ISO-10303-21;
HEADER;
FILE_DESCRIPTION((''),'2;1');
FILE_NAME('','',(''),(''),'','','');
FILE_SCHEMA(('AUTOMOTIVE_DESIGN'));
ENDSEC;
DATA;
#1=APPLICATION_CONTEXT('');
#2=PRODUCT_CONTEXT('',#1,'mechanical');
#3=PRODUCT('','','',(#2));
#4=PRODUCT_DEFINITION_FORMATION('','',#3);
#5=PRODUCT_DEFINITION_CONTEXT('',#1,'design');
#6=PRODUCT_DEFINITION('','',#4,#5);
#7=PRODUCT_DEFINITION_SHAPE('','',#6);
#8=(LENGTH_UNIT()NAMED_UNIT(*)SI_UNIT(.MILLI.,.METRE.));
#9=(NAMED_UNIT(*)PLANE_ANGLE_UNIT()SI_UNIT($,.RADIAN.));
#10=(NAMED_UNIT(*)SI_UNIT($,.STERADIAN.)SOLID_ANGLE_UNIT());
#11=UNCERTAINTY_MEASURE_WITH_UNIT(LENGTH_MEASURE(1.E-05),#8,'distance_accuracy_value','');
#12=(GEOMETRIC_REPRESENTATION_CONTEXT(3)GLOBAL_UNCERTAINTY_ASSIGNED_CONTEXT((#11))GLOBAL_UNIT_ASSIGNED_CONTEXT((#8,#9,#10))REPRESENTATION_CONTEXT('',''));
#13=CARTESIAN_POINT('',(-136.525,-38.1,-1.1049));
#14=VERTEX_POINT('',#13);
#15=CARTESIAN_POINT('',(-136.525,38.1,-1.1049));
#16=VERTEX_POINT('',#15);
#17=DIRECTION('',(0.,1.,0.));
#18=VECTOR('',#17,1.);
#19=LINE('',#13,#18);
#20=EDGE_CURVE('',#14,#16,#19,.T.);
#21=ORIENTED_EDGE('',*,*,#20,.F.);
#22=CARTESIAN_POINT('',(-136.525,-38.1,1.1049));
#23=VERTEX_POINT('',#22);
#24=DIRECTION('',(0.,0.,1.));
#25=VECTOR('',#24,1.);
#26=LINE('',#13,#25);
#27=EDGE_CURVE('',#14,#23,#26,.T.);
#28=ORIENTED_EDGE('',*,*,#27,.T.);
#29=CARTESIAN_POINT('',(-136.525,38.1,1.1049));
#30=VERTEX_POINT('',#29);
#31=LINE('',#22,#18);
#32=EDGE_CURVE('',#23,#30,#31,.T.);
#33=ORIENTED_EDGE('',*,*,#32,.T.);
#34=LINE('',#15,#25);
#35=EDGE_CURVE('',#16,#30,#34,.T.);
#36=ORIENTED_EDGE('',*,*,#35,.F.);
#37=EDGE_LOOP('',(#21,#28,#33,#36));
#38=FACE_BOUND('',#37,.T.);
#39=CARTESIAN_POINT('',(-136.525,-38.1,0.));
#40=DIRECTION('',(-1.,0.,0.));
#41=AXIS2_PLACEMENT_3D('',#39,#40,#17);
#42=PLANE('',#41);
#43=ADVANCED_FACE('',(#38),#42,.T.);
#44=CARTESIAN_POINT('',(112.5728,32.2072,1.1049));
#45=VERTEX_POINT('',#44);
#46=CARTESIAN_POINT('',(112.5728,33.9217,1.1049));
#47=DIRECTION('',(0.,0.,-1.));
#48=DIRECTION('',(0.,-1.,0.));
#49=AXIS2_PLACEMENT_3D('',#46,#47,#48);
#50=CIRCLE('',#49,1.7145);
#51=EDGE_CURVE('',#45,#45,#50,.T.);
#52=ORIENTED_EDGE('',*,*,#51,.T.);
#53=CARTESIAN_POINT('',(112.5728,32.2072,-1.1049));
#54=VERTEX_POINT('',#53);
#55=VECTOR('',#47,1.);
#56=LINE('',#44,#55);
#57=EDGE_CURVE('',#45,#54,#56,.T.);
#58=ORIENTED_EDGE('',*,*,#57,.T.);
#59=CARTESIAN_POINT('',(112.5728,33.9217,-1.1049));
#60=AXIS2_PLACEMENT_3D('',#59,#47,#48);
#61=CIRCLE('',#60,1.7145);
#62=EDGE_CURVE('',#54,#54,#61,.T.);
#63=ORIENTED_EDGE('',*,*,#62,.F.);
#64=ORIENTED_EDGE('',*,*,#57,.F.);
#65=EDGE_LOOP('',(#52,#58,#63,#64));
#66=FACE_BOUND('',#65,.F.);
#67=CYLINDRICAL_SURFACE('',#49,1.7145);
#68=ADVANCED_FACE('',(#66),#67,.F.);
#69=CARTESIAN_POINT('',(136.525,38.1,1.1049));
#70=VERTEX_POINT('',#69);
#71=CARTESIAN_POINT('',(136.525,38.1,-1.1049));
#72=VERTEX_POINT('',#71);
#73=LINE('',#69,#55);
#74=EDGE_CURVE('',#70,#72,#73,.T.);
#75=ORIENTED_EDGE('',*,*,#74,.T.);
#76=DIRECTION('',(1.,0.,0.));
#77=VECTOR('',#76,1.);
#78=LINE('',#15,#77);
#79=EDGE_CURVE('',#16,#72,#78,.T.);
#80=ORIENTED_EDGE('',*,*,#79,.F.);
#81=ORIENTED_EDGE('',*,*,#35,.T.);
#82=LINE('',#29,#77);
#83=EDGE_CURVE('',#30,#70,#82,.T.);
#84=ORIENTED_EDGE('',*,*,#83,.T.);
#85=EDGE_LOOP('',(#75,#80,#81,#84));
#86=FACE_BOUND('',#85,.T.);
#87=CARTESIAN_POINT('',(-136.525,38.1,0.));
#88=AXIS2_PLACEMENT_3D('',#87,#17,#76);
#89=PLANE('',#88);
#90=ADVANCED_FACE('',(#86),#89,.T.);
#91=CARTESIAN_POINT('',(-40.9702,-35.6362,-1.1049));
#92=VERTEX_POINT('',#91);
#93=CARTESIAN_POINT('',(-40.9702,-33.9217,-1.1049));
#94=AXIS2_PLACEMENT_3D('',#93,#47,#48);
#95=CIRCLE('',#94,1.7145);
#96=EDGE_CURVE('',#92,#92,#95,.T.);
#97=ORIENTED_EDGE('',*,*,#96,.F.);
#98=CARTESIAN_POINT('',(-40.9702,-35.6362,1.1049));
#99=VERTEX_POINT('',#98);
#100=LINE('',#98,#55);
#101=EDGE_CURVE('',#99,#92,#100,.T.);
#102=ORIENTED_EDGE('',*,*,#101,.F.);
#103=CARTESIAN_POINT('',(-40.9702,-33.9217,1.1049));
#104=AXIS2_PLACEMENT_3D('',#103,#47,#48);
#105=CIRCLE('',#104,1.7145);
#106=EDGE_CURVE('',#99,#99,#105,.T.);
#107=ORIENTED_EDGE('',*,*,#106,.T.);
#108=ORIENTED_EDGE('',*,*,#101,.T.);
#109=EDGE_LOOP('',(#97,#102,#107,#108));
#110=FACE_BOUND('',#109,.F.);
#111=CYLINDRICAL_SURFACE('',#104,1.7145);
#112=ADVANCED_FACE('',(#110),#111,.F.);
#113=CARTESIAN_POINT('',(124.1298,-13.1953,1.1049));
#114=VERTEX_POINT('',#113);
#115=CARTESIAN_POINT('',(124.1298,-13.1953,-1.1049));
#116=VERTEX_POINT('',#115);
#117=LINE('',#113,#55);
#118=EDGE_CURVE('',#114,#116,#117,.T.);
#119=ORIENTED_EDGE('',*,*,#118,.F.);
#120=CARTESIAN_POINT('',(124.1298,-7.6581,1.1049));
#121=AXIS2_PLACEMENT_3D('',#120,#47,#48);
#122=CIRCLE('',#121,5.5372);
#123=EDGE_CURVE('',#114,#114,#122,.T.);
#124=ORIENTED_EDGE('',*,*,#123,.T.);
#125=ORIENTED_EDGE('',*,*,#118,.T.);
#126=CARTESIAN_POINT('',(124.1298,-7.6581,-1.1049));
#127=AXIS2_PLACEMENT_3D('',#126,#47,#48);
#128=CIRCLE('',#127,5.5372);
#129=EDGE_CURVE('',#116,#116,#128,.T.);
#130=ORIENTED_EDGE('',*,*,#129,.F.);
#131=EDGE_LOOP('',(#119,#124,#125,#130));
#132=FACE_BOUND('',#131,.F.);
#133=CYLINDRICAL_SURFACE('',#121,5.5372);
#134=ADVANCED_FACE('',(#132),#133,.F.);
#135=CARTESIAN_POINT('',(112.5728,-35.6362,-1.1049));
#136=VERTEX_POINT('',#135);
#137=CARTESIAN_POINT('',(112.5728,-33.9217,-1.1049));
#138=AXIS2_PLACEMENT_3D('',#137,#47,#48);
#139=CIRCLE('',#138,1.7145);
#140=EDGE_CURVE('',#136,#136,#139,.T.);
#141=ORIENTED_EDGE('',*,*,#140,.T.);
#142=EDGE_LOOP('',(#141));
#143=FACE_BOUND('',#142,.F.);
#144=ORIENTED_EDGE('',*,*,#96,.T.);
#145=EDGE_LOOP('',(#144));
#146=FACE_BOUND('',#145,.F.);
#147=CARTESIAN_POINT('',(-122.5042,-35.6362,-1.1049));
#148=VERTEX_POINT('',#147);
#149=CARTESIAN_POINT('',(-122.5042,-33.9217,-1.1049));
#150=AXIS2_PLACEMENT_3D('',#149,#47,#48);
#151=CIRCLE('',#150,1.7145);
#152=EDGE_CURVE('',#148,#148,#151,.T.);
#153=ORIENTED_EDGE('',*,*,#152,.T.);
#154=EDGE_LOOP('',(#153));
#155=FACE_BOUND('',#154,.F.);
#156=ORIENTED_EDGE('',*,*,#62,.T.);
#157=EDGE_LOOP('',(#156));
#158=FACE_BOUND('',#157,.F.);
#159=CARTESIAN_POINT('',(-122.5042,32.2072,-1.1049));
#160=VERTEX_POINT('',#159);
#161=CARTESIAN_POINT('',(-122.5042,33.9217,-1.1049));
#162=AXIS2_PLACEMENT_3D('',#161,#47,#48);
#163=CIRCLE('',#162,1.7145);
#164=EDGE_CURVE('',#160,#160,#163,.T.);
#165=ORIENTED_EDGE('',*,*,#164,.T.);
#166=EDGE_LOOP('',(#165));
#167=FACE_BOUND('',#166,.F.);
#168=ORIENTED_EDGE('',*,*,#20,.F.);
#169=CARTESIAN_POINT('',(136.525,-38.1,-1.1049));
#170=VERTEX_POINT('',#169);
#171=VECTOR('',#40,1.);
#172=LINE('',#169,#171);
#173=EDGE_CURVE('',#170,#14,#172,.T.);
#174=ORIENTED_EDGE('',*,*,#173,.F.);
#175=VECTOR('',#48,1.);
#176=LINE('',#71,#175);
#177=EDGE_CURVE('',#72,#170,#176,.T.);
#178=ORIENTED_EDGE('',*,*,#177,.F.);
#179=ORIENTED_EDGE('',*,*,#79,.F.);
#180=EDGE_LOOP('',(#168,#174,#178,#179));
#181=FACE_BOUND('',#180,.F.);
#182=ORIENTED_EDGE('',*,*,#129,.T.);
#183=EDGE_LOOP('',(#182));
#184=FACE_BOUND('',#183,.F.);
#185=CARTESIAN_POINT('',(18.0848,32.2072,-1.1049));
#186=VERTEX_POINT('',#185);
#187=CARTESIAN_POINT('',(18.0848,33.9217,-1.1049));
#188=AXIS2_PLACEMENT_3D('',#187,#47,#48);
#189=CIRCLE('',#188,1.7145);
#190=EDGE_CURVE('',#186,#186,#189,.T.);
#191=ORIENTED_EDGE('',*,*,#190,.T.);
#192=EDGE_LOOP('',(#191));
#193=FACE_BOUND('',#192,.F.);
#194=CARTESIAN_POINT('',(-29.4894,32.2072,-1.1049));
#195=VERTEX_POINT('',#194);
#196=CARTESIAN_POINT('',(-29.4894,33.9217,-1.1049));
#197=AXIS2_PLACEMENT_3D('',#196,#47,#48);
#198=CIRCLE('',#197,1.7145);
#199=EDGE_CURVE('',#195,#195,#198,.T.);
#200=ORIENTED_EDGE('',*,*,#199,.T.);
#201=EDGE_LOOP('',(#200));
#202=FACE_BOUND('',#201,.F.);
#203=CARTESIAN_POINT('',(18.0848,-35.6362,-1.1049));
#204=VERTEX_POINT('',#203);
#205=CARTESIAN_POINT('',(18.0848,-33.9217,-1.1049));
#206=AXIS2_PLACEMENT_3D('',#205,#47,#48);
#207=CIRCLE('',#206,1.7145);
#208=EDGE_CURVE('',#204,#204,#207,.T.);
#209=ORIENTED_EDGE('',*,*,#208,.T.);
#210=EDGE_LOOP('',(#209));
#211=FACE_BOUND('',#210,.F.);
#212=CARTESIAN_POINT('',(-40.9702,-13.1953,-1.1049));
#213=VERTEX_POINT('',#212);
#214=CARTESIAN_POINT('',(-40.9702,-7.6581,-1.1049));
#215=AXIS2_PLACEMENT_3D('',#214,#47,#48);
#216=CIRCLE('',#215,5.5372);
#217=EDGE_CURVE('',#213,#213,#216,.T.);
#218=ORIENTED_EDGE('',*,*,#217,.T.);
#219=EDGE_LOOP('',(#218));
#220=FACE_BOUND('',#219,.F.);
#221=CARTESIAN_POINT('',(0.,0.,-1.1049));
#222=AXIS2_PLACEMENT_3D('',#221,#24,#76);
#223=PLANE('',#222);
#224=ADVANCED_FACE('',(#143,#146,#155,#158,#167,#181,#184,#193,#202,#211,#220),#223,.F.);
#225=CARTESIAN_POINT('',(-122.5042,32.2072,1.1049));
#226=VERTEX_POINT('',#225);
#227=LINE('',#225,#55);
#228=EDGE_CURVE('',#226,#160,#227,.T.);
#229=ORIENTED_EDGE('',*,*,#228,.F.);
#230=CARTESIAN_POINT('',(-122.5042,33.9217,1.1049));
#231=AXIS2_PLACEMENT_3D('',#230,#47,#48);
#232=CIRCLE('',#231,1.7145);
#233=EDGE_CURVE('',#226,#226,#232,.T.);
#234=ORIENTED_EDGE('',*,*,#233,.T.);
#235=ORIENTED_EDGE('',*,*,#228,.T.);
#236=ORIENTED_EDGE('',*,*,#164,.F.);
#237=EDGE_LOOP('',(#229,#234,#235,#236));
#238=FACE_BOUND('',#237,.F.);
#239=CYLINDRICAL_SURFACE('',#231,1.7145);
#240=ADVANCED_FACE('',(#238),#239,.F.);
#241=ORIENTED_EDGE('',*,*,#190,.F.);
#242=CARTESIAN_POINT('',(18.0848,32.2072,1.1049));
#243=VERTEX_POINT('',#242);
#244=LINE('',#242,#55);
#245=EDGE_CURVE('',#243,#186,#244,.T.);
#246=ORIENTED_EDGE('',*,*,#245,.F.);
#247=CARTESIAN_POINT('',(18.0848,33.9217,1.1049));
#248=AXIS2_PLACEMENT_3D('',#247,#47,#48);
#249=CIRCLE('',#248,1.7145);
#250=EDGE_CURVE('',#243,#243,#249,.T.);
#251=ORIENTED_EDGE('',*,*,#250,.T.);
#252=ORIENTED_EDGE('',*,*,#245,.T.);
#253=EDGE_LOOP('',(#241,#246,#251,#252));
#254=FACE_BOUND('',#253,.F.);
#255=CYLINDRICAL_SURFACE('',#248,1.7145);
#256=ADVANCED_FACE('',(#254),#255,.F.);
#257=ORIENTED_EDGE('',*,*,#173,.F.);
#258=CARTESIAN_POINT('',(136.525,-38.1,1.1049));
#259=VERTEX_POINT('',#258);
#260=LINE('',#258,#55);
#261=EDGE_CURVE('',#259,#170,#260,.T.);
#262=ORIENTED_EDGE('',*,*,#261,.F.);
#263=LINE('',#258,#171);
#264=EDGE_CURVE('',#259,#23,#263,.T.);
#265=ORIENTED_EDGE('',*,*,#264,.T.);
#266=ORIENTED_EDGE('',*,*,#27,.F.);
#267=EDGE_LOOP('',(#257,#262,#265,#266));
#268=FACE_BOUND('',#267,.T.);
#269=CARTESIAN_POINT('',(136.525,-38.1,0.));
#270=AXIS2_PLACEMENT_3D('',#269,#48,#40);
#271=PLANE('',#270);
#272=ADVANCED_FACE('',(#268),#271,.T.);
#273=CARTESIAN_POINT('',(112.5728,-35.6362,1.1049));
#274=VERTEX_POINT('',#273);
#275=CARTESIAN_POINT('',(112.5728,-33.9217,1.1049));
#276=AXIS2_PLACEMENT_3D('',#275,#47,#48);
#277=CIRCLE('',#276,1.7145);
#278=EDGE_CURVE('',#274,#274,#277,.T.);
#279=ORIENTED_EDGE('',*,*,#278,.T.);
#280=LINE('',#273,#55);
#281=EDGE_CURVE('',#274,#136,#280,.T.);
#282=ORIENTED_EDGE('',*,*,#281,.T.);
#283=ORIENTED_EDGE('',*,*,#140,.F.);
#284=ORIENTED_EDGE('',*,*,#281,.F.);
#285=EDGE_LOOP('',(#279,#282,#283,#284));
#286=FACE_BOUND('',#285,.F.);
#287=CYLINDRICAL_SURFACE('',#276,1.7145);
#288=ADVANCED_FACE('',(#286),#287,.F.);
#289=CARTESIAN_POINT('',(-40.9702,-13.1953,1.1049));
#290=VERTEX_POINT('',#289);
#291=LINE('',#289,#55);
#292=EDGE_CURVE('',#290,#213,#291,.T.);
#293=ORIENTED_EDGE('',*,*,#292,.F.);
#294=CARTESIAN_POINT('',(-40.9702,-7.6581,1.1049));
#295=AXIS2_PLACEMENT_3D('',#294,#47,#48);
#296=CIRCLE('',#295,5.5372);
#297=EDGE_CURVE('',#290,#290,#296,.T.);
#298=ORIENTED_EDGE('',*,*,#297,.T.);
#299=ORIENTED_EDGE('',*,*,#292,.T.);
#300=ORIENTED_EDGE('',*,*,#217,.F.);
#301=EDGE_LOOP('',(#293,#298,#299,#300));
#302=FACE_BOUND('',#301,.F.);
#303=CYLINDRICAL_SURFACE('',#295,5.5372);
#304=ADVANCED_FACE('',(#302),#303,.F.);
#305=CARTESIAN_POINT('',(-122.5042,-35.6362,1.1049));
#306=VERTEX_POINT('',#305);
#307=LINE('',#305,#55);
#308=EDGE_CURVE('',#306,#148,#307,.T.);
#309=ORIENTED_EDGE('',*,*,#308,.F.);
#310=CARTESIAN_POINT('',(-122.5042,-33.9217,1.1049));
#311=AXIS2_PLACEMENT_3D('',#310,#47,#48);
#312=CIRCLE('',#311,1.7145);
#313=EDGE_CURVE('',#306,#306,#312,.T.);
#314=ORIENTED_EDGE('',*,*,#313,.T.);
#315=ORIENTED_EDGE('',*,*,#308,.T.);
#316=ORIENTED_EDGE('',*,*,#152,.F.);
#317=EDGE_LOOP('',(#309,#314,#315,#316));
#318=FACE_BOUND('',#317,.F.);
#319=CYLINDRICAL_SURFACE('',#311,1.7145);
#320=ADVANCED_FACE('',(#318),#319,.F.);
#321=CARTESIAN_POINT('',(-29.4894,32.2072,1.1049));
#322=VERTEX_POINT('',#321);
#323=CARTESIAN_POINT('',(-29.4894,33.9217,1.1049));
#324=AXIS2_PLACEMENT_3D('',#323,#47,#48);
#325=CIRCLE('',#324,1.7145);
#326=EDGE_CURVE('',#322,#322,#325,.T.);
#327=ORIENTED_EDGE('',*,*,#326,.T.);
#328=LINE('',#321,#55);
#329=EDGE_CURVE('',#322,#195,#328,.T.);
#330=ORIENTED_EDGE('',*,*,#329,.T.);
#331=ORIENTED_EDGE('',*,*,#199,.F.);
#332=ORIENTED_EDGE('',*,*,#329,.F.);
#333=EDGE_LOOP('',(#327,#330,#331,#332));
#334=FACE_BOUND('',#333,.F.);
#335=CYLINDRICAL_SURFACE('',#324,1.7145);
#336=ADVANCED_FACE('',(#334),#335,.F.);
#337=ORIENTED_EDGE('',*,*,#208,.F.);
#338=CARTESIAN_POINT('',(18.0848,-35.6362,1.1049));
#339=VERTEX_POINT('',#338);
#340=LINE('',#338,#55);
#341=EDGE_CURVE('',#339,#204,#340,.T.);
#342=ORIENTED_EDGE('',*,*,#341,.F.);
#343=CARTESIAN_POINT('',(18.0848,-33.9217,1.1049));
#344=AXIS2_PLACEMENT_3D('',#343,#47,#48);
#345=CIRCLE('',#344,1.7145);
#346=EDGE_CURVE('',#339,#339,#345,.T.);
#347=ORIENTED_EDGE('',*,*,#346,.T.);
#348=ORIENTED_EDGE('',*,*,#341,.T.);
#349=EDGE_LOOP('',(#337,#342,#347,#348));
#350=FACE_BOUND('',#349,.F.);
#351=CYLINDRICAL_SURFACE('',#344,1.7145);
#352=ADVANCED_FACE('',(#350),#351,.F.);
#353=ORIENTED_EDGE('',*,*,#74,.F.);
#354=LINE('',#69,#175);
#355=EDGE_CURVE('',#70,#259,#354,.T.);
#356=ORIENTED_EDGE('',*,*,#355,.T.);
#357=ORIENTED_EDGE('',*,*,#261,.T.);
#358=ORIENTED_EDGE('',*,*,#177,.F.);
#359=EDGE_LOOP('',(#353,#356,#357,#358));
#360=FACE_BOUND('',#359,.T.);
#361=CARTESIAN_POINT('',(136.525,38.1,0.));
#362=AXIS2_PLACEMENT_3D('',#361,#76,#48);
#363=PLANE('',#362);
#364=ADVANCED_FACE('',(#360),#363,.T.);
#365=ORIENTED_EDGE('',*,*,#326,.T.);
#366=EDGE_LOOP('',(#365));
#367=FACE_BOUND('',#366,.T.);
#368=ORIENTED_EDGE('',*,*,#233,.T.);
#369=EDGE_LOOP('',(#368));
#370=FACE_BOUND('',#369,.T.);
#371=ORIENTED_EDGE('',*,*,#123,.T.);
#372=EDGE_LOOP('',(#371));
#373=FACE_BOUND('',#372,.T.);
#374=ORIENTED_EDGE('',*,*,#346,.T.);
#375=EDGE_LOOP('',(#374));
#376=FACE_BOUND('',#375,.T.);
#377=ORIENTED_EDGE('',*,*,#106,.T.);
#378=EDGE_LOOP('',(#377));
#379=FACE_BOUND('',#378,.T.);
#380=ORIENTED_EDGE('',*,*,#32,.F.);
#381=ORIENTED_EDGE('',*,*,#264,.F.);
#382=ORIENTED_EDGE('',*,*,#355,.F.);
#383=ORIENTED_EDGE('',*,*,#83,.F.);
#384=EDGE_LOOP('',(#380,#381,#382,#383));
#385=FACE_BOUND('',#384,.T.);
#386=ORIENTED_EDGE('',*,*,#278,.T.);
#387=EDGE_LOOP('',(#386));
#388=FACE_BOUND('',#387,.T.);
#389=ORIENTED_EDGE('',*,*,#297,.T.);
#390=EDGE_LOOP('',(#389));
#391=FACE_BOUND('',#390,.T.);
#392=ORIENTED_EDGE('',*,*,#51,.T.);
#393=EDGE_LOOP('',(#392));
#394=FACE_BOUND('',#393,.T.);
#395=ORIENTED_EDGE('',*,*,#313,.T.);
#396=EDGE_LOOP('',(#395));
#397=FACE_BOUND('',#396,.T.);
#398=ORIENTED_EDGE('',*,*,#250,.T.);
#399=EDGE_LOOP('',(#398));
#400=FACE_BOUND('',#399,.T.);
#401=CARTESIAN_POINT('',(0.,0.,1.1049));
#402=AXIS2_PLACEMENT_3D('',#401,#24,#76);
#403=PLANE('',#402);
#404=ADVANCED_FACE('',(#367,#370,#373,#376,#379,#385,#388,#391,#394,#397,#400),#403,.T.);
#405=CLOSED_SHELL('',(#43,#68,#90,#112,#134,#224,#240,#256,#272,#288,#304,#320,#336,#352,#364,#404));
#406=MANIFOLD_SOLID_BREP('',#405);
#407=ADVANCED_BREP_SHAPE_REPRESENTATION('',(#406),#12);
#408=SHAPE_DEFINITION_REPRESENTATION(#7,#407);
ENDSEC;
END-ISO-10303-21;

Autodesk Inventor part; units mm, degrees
ref_plane "YZ Plane" through (0, 0, 0) normal (1, 0, 0) x (0, 1, 0)
ref_plane "XZ Plane" through (0, 0, 0) normal (0, 1, 0) x (-1, 0, 0)
ref_plane "XY Plane" through (0, 0, 0) normal (0, 0, 1) x (1, 0, 0)
sketch "Sketch1" plane through (0, 0, 0) normal (0, 0, 1) x (1, 0, 0)
  line L0 (-136.525, 38.1) -> (136.525, 38.1)
  line L1 (136.525, 38.1) -> (136.525, -38.1)
  line L2 (136.525, -38.1) -> (-136.525, -38.1)
  line L3 (-136.525, -38.1) -> (-136.525, 38.1)
  line L4 (0, 0) -> (0, 38.1) construction
  line L5 (0, 0) -> (0, -38.1) construction
  line L6 (0, 0) -> (-136.525, 0) construction
  line L7 (0, 0) -> (136.525, 0) construction
  dimension "d0" = 273.05
  dimension "d1" = 76.2
extrude "PCB" add sketch "Sketch1" along normal mid plane 2.2098
sketch "Sketch2" plane through (0, 0, 1.1049) normal (0, 0, 1) x (1, 0, 0)
  line L0 (-136.525, 38.1) -> (136.525, 38.1) projected
  line L1 (-136.525, -38.1) -> (-136.525, 38.1) projected
  line L2 (136.525, -38.1) -> (-136.525, -38.1) projected
  line L3 (-122.5042, 33.9217) -> (-122.5042, 38.1) construction
  line L4 (-122.5042, -33.9217) -> (-122.5042, -38.1) construction
  point P0 (-29.4894, 33.9217)
  point P1 (18.0848, 33.9217)
  point P2 (112.5728, 33.9217)
  point P3 (-40.9702, -33.9217)
  point P4 (18.0848, -33.9217)
  point P5 (112.5728, -33.9217)
  dimension "d4" = 67.8434
  dimension "d5" = 14.0208
  dimension "d6" = 93.0148
  dimension "d7" = 47.5742
  dimension "d8" = 94.488
  dimension "d9" = 81.534
hole "Hole1" at (-122.5042, 33.9217, 1.1049) at (-122.5042, -33.9217, 1.1049) at (-29.4894, 33.9217, 1.1049) at (18.0848, 33.9217, 1.1049) at (112.5728, 33.9217, 1.1049) at (-40.9702, -33.9217, 1.1049) at (18.0848, -33.9217, 1.1049) at (112.5728, -33.9217, 1.1049) direction (0, 0, -1) diameter 3.429 end through all
sketch "Sketch3" plane through (0, 0, 1.1049) normal (0, 0, 1) x (1, 0, 0)
  circle A0 centre (18.0848, -33.9217) radius 1.7145 projected
  circle A1 centre (-40.9702, -33.9217) radius 1.7145 projected
  point P0 (-40.9702, -7.6581)
  point P1 (124.1298, -7.6581)
  dimension "d17" = 165.1
  dimension "d18" = 26.2636
  dimension "d19" = 59.055
hole "Hole2" at (-40.9702, -7.6581, 1.1049) at (124.1298, -7.6581, 1.1049) direction (0, 0, -1) diameter 11.0744 end through all
properties part number "cRIO Electric Board 1764" material "Phenolic"
